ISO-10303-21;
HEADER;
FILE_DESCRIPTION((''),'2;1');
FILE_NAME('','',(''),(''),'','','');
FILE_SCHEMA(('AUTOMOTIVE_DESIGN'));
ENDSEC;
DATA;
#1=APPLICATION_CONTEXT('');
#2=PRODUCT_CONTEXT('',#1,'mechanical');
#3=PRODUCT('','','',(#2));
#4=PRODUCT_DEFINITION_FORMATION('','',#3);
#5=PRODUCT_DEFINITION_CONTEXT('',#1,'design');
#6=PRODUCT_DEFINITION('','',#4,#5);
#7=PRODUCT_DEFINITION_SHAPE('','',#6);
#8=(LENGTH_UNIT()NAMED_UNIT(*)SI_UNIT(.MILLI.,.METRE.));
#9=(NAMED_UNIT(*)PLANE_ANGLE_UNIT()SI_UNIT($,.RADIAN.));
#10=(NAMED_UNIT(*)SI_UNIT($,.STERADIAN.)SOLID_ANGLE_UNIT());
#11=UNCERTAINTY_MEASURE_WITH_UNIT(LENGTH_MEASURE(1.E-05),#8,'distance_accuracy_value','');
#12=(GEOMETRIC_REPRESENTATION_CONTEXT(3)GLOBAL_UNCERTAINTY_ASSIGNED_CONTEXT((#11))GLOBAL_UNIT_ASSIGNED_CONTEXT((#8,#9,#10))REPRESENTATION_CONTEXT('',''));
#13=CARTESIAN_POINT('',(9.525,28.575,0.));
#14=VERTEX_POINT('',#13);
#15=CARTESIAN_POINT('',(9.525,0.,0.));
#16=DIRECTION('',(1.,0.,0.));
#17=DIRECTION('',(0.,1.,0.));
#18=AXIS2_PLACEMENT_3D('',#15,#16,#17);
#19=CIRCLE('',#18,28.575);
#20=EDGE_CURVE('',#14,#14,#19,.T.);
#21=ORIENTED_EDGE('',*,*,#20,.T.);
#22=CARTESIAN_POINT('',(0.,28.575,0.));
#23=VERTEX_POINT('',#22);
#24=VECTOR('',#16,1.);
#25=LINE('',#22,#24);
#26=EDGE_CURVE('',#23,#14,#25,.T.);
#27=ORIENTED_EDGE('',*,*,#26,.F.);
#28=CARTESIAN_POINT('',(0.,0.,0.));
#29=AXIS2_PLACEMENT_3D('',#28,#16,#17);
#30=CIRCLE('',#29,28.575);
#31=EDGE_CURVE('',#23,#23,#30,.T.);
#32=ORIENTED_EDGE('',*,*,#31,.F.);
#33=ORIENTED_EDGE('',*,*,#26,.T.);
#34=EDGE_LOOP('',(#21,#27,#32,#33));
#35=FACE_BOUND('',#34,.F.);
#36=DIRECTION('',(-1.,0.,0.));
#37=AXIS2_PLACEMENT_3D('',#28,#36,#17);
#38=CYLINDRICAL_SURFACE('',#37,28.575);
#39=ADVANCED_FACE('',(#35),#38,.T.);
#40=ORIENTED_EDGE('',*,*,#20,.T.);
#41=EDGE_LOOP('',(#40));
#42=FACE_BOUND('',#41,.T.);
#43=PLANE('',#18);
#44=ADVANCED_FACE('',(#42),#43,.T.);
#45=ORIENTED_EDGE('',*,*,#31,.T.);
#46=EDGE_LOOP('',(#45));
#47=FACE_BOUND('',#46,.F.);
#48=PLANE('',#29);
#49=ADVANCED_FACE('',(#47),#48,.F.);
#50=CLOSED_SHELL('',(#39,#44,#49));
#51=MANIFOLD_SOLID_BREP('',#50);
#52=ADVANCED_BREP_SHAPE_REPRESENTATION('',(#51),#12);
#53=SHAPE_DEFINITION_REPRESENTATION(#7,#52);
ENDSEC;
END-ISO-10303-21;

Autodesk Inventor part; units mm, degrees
ref_plane "YZ Plane" through (0, 0, 0) normal (1, 0, 0) x (0, 1, 0)
ref_plane "XZ Plane" through (0, 0, 0) normal (0, 1, 0) x (-1, 0, 0)
ref_plane "XY Plane" through (0, 0, 0) normal (0, 0, 1) x (1, 0, 0)
sketch "Sketch1" plane through (0, 0, 0) normal (1, 0, 0) x (0, 1, 0)
  circle A0 centre (0, 0) radius 28.575
  dimension "d0" = 57.15
extrude "Extrusion1" add sketch "Sketch1" along normal blind 9.525
properties part number "Temp - Wheel F"
